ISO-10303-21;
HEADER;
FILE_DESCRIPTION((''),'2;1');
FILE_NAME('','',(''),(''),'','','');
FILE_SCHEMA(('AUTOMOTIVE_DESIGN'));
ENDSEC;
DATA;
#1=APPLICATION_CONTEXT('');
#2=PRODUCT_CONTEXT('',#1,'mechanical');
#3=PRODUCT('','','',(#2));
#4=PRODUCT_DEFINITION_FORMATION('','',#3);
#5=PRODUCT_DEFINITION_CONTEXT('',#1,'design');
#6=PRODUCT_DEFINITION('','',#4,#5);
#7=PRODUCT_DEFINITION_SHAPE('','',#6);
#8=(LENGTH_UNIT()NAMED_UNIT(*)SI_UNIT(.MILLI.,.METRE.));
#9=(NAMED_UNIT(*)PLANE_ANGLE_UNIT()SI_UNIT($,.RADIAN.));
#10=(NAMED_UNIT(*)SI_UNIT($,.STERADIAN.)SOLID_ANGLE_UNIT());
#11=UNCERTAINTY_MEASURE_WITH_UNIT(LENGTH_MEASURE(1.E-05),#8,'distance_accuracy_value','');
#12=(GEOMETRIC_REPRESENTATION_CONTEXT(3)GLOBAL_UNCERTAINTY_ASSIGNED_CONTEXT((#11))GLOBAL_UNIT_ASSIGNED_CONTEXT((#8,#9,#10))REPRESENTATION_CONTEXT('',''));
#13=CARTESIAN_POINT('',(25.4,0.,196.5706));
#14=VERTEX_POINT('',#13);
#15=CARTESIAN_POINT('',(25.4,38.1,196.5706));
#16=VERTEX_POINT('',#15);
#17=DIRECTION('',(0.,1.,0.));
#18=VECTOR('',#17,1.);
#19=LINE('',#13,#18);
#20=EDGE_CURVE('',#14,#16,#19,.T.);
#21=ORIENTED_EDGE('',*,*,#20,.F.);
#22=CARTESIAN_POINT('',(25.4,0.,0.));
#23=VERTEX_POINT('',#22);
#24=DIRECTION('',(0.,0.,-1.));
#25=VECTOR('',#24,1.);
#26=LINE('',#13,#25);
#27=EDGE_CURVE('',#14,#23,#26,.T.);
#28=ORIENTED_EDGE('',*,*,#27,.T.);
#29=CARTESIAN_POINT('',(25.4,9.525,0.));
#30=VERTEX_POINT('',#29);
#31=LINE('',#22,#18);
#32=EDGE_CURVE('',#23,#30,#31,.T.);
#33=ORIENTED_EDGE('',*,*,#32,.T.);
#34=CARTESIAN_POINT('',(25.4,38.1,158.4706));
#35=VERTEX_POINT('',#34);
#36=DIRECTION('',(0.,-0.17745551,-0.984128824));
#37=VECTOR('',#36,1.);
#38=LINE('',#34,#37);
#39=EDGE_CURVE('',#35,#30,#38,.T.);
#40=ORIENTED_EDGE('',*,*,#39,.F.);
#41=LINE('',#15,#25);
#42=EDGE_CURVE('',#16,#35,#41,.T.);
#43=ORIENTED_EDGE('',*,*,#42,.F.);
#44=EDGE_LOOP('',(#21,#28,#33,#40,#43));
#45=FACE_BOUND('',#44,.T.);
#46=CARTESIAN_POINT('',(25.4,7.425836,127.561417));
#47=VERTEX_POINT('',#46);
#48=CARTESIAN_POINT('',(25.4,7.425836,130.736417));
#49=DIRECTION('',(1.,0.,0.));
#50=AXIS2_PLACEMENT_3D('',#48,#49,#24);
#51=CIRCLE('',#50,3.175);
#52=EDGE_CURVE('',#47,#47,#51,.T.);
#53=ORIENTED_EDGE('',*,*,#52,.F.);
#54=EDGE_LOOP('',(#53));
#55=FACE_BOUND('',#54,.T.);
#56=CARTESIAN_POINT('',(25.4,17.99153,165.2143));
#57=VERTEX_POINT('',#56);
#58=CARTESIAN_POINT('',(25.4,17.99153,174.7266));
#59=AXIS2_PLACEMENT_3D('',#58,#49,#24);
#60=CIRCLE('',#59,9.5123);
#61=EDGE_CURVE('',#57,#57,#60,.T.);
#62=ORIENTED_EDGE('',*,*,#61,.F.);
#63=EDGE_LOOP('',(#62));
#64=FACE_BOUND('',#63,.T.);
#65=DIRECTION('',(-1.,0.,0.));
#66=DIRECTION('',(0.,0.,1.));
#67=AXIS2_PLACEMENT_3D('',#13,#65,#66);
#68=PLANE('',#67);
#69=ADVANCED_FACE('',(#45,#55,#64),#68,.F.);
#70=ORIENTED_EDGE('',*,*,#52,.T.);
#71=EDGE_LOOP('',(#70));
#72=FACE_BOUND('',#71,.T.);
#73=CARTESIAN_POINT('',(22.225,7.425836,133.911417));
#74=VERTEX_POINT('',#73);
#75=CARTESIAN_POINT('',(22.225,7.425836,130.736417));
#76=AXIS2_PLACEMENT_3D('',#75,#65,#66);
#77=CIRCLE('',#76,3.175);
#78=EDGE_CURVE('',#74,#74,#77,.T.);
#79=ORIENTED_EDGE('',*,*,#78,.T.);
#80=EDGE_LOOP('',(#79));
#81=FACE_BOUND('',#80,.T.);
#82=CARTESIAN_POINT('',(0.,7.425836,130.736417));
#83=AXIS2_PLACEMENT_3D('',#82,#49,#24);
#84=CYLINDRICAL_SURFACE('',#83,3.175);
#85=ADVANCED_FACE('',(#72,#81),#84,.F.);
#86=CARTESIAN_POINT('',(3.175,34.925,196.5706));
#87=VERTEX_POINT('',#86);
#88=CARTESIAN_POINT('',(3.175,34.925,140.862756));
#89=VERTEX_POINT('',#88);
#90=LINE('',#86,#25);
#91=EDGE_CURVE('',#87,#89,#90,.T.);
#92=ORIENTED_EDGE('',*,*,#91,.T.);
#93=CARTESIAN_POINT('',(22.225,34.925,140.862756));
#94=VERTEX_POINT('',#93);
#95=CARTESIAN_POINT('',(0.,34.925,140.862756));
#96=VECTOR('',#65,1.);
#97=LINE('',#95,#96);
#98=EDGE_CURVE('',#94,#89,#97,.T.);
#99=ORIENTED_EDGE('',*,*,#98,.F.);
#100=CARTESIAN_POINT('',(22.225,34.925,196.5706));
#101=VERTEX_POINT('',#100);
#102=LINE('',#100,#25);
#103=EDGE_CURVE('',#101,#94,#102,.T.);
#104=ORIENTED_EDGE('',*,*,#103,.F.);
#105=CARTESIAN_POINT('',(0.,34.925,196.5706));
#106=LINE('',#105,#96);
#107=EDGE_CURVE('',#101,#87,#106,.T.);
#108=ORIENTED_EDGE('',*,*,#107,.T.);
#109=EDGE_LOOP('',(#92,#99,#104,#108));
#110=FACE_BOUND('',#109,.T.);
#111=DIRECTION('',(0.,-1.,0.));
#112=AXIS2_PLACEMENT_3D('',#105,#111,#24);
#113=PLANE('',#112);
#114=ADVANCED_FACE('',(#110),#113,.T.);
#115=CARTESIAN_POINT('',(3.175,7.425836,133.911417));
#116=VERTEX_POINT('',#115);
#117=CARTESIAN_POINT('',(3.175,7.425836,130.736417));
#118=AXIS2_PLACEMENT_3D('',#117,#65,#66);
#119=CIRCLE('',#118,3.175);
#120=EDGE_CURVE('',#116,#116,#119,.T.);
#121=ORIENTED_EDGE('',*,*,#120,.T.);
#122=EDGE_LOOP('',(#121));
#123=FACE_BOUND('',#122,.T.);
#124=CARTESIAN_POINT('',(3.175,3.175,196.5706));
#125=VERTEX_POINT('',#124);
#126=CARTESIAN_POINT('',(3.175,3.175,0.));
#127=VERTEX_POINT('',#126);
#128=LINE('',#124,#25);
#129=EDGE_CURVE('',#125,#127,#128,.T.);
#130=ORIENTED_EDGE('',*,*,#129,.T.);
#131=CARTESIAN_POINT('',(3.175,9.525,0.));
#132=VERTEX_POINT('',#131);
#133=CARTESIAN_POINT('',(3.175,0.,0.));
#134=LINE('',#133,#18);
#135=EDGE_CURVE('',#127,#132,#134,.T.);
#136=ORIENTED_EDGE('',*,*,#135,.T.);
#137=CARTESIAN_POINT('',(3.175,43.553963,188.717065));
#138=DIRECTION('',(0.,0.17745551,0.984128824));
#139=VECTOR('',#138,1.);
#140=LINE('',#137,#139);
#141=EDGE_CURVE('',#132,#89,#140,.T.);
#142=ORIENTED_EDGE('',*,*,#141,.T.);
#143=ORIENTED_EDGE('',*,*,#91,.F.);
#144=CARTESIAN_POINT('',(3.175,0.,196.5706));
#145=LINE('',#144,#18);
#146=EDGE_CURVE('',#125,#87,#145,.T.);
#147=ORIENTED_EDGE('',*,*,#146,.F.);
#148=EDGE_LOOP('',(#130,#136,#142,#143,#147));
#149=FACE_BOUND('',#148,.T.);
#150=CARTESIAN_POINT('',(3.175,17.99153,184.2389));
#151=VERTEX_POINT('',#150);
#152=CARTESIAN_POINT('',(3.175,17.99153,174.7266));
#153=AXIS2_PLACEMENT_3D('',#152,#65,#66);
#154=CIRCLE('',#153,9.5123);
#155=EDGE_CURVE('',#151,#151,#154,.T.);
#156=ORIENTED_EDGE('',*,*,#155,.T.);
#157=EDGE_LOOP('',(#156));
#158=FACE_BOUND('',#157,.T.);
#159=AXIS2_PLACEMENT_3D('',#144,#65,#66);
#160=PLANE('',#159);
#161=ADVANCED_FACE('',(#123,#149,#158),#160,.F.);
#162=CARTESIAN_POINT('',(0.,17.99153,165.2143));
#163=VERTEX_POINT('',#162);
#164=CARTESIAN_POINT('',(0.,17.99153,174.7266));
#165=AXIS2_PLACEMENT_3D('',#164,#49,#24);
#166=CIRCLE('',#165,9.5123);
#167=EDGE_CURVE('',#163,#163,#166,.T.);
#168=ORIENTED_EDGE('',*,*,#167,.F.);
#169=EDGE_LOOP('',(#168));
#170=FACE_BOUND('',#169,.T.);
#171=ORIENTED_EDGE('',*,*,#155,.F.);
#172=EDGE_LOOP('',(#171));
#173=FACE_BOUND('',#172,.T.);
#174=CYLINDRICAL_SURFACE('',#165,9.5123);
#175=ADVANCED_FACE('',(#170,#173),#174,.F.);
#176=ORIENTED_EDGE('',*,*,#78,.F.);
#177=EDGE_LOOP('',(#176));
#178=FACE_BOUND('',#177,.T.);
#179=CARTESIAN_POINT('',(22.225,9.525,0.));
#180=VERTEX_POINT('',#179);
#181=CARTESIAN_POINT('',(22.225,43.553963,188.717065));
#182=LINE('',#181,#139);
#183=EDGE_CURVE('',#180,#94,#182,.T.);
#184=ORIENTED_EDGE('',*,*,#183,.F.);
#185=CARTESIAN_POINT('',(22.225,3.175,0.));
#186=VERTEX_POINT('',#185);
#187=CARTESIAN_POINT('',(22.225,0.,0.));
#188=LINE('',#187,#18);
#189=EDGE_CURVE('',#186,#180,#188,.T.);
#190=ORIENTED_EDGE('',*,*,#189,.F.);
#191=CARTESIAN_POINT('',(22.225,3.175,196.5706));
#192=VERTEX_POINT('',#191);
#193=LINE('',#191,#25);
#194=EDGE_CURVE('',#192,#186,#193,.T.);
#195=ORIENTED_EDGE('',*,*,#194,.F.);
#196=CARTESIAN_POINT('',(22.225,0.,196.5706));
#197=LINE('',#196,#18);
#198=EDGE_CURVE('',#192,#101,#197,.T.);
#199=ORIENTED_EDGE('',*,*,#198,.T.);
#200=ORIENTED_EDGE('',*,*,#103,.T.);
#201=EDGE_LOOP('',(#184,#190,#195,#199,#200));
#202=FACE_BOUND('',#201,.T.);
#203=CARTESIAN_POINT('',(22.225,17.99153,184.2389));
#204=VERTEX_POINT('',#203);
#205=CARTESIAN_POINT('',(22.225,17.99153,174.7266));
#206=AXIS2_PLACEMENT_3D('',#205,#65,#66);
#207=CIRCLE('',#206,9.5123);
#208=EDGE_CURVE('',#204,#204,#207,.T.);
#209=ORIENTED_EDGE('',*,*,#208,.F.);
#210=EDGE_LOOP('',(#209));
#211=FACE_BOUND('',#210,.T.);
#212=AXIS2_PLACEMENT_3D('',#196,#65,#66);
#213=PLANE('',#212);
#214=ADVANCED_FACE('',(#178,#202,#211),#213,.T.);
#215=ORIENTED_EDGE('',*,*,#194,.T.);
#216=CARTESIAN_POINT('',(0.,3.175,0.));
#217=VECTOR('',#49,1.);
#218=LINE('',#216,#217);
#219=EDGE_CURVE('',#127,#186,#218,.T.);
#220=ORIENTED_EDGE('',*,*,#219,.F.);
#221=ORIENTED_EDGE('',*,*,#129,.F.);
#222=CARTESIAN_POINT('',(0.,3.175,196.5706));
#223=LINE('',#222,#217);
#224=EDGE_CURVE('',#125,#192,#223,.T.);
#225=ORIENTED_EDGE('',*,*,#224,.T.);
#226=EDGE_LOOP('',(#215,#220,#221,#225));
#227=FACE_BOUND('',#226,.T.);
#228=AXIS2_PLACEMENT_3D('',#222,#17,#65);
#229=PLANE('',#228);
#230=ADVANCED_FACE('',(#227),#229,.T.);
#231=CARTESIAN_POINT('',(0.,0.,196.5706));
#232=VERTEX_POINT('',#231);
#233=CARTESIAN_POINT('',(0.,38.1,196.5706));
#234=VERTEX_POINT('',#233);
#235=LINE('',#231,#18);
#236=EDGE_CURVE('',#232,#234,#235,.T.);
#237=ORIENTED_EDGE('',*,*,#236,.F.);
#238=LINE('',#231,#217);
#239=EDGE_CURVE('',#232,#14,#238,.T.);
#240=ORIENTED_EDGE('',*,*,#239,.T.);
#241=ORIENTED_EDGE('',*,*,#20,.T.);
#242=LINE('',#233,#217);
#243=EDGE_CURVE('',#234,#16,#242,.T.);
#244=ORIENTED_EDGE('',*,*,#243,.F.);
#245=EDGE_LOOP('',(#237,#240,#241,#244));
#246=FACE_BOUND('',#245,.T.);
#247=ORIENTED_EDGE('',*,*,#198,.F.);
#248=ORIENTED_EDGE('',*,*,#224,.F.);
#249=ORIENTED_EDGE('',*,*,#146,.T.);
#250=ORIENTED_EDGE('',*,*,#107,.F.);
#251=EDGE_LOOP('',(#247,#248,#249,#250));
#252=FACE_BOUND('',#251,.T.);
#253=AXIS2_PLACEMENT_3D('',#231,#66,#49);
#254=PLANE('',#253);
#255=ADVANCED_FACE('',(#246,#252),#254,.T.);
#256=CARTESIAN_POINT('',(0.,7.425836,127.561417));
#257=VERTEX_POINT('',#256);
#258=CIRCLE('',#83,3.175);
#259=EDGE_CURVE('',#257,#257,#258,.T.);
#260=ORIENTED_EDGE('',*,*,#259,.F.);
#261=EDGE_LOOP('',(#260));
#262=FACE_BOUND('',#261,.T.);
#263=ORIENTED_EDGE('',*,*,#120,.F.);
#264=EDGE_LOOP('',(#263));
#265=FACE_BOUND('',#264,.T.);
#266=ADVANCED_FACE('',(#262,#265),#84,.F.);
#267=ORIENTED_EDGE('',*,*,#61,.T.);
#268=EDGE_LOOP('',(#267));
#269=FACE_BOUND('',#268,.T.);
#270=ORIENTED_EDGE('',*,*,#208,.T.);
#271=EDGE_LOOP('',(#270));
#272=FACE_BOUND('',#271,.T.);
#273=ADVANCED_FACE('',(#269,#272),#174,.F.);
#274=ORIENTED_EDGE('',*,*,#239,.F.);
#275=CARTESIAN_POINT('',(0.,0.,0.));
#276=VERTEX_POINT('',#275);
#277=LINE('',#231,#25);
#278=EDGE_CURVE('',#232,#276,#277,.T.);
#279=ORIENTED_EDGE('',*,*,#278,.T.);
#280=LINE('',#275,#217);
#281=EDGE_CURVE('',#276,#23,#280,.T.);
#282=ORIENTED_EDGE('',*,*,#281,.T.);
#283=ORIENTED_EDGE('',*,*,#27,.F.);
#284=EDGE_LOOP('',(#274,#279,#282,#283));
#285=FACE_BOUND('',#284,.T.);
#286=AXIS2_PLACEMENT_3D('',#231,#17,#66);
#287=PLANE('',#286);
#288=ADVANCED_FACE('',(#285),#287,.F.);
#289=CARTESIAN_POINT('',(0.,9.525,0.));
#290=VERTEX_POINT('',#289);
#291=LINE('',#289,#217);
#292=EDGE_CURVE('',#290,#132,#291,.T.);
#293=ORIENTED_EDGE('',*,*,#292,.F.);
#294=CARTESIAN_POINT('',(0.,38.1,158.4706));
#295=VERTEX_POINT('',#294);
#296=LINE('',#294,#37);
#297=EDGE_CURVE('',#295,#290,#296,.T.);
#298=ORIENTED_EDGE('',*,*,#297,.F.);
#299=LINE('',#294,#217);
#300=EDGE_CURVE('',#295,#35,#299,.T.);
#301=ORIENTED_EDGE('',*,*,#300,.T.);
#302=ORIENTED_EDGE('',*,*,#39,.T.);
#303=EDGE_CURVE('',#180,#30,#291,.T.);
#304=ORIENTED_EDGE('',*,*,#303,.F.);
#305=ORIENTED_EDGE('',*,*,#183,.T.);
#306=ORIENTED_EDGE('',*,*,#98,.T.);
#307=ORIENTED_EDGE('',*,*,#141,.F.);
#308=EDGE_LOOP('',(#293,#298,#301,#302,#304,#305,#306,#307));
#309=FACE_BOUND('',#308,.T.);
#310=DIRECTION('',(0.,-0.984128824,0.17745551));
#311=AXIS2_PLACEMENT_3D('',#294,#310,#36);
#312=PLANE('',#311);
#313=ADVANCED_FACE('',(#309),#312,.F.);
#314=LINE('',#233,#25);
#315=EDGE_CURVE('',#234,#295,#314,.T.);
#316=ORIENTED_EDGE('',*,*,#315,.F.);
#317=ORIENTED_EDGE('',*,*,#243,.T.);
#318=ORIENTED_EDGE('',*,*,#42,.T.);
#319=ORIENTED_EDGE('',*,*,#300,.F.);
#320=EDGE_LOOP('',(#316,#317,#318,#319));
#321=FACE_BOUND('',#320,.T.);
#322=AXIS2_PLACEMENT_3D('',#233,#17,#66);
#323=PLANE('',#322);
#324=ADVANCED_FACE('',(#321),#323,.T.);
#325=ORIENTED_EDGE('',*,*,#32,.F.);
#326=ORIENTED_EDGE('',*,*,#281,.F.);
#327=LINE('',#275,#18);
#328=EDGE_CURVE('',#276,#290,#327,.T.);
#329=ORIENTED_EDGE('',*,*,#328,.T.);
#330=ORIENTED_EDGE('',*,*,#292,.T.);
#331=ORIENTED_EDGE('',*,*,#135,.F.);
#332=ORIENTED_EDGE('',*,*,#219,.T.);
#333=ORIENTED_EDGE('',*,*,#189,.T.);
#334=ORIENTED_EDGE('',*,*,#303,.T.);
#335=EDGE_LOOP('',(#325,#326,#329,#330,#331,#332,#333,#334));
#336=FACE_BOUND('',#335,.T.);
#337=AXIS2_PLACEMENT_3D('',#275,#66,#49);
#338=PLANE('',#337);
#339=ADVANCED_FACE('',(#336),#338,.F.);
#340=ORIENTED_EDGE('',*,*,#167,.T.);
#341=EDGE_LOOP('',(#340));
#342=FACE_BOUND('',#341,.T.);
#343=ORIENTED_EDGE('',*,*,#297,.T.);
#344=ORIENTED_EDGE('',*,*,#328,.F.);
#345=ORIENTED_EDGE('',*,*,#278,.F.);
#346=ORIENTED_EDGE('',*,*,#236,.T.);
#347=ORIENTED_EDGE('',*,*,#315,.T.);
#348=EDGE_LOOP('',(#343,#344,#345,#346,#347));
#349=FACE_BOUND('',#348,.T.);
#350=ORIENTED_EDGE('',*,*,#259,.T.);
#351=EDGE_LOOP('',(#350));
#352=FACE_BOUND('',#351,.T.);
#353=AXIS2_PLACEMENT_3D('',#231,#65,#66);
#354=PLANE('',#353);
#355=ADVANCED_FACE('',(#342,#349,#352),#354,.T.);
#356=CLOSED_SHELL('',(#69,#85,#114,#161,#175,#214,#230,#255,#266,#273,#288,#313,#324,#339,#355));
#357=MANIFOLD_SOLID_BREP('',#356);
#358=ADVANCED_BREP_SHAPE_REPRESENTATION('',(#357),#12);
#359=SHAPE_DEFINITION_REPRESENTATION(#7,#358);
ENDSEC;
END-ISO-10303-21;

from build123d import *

# Parameters (mm, degrees)
SKETCH1_W           = 3.175
SKETCH1_H           = 38.1
SKETCH1_W_2         = 19.05
SKETCH1_H_2         = 3.175
BOSS_EXTRUDE1_DEPTH = 196.5706
SKETCH2_R           = 9.5123
SKETCH2_R_2         = 3.175
SIDE_CUT_DEPTH      = 26.4


with BuildPart() as part:
    # Sketch1 → Boss-Extrude1 (new body)
    with BuildSketch(Plane.XY):
        with Locations((1.5875, 19.05)):
            Rectangle(SKETCH1_W, SKETCH1_H)
        with Locations((12.7, 1.5875)):
            Rectangle(SKETCH1_W_2, SKETCH1_H_2)
        Polygon((22.225, 3.175), (22.225, 0), (25.4, 0), (25.4, 38.1), (22.225, 38.1), (22.225, 34.925), align=None)
        with Locations((12.7, 36.5125)):
            Rectangle(SKETCH1_W_2, SKETCH1_H_2)
    extrude(amount=BOSS_EXTRUDE1_DEPTH)

    # Sketch2 → Side cut (cut, through all)
    with BuildSketch(Plane(origin=(25.4, 0, 0), x_dir=(0, 0, -1), z_dir=(1, 0, 0))):
        with Locations((-174.7266, 17.991529913)):
            Circle(SKETCH2_R)
        with Locations((-130.736416842, 7.4258361)):
            Circle(SKETCH2_R_2)
        Polygon((-158.4706, 38.1), (0, 9.525), (0, 38.1), align=None)
    extrude(amount=-SIDE_CUT_DEPTH, mode=Mode.SUBTRACT)


solid = part.part
